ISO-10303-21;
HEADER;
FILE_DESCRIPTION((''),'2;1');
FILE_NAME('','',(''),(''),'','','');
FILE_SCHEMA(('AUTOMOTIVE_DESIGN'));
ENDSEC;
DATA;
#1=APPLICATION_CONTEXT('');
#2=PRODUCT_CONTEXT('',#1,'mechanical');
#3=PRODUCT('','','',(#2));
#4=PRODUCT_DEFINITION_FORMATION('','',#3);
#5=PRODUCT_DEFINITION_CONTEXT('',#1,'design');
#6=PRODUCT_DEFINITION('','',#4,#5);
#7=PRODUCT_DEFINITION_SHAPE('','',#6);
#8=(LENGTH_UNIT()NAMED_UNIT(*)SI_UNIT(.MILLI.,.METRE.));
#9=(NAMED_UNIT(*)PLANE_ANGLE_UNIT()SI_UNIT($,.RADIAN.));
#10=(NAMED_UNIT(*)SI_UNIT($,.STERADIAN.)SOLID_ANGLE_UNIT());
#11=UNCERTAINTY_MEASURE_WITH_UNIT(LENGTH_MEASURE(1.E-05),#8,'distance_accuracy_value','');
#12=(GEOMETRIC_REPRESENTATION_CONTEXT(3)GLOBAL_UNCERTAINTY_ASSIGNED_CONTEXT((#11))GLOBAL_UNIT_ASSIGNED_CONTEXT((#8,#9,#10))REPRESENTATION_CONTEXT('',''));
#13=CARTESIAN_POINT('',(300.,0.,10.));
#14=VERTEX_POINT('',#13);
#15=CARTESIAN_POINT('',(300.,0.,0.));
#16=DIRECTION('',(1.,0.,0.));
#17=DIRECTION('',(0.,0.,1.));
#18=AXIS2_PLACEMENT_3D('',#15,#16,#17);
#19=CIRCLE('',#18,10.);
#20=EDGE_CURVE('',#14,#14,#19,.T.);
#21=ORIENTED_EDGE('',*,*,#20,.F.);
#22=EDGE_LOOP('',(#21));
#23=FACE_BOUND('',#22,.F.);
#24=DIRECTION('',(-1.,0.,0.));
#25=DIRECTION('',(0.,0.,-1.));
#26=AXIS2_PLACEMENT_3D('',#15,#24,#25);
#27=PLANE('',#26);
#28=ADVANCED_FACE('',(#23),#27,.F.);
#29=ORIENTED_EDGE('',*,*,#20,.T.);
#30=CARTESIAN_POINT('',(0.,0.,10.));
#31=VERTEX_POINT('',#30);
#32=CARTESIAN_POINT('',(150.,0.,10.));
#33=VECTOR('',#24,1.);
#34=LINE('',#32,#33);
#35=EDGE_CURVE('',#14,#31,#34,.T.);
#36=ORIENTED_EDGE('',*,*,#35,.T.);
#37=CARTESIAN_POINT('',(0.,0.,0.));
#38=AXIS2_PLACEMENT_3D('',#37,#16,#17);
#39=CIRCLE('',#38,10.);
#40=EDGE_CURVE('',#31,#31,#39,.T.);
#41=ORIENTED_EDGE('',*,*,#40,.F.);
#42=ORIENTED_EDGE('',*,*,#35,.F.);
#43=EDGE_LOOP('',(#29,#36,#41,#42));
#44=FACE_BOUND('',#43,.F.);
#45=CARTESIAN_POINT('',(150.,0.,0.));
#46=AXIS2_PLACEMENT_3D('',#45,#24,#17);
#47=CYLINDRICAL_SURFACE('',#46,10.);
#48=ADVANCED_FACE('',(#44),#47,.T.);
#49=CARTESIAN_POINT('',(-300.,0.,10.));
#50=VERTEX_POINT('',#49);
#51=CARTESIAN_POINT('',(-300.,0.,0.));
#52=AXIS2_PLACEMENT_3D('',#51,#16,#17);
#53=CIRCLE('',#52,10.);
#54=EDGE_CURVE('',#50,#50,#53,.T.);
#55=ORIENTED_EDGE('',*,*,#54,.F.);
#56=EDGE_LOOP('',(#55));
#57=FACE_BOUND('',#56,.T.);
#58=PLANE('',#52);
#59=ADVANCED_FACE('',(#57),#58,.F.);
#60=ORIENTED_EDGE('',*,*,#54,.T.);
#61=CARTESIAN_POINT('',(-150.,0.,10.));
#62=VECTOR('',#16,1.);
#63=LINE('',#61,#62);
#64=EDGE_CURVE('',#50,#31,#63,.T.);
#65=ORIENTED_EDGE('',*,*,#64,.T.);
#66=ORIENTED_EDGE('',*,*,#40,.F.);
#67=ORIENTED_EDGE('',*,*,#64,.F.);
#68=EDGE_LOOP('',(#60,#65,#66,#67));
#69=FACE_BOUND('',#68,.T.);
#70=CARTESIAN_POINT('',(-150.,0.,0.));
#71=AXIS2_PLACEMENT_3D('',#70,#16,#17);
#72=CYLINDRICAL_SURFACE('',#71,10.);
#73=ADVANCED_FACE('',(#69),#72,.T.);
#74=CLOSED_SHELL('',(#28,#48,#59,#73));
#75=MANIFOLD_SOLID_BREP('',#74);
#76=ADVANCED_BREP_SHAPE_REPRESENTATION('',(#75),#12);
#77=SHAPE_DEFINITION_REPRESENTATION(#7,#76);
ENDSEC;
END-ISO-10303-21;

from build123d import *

# Parameters (mm, degrees)
F0_W = 300
F0_H = 10


with BuildPart() as f1:
    # F0 (on Front) → F1 (revolve)
    with BuildSketch(Plane.XZ):
        with Locations((-150, 5)):
            Rectangle(F0_W, F0_H)
    revolve(axis=Axis((-150, 0, 0), (1, 0, 0)))

    # F2: F1 across plane


with BuildPart() as f1_1:
    add(f1.part)
    add(f1.part.mirror(Plane.YZ))


solid = f1_1.part
